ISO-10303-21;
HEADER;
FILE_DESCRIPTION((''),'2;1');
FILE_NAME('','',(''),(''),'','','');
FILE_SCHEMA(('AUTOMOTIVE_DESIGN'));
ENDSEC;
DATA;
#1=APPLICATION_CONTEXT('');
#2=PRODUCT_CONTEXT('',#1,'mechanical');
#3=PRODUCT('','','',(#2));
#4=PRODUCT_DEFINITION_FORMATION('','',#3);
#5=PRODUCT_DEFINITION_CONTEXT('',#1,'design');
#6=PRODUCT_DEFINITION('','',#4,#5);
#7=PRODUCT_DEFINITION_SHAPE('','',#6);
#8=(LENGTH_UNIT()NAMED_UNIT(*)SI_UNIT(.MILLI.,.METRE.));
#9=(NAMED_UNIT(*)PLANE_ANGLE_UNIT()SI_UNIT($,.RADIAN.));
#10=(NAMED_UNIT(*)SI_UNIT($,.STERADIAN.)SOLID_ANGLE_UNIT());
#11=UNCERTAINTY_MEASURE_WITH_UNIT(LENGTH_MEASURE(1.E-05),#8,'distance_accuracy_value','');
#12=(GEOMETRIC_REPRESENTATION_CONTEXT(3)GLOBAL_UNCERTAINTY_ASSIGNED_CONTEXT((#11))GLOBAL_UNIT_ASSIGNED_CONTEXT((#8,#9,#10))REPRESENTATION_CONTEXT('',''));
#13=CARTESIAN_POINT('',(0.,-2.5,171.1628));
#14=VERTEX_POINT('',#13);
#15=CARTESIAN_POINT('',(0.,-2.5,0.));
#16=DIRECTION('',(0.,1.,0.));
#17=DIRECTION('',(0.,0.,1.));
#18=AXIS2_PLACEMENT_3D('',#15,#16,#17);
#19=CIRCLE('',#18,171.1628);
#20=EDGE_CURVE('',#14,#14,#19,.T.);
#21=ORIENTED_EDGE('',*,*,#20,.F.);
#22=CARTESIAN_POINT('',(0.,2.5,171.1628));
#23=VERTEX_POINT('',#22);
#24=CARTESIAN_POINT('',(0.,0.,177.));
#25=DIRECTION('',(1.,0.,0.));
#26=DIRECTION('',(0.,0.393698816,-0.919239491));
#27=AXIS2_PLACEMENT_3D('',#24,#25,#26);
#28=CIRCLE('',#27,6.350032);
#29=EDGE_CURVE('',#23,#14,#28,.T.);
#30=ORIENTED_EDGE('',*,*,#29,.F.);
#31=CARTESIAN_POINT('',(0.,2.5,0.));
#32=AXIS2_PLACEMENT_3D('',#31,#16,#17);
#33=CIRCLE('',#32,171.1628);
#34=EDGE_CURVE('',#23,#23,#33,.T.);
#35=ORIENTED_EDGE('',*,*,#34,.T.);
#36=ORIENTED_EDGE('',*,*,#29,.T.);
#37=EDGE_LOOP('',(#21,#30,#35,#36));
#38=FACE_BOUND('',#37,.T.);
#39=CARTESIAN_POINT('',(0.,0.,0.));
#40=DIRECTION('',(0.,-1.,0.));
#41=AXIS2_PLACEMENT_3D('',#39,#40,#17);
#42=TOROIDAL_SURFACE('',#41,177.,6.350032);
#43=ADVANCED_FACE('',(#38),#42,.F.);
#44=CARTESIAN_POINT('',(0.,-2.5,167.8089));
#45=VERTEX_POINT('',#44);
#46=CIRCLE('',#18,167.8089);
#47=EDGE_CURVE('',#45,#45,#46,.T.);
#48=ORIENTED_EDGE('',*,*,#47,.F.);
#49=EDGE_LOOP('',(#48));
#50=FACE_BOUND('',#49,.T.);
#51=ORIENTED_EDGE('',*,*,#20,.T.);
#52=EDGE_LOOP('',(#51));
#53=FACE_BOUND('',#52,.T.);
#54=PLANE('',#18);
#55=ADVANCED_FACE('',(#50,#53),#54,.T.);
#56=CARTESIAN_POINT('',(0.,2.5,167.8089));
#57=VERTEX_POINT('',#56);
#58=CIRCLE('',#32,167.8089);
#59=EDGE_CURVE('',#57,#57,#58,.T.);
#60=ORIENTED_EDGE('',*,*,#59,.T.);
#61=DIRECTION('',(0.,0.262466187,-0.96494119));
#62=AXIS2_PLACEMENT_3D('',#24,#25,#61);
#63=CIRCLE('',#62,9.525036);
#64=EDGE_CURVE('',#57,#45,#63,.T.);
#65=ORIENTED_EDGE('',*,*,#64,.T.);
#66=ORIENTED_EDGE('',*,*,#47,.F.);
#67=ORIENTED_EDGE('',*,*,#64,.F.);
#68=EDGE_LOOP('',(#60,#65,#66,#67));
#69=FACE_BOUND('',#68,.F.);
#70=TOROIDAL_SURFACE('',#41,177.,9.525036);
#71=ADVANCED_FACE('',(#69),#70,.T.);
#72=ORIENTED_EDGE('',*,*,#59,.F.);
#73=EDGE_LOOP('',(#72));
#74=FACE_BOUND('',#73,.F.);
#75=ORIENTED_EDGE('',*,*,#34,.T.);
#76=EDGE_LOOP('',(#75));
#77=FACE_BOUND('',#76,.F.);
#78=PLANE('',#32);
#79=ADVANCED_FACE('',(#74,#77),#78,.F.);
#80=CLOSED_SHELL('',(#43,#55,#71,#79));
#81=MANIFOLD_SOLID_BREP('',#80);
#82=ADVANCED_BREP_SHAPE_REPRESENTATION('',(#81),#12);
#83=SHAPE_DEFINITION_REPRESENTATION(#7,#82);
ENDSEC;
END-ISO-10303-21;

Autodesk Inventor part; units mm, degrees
ref_plane "YZ Plane" through (0, 0, 0) normal (1, 0, 0) x (0, 1, 0)
ref_plane "XZ Plane" through (0, 0, 0) normal (0, 1, 0) x (-1, 0, 0)
ref_plane "XY Plane" through (0, 0, 0) normal (0, 0, 1) x (1, 0, 0)
sketch "Sketch1" plane through (0, 0, 0) normal (1, 0, 0) x (0, 1, 0)
  line L0 (0, 181.8065) -> (0, 79.5332) construction
  line L1 (0, 90.7423) -> (0, 123.3903) construction
  arc A0 (2.5, 167.8089) -> (-2.5, 167.8089) centre (0, 177) ccw
  arc A1 (2.5, 171.1628) -> (-2.5, 171.1628) centre (0, 177) ccw
  line L2 (2.5, 171.1628) -> (2.5, 167.8089)
  line L3 (-2.5, 171.1628) -> (-2.5, 167.8089)
  line L4 (0, 0) -> (39.543, 0) construction
  dimension "d5" = 19.05
  dimension "d6" = 12.7
  dimension "d7" = 5
  dimension "d8" = 2.5
  dimension "d9" = 177
revolve "Revolution1" add sketch "Sketch1" angle 360 about axis through (0, 0, 0) along (0, 1, 0)
equation "\"d7\" = hardboard_thickness"
equation "\"d8\" = 0.5 * hardboard_thickness"
equation "\"d9\" = 0.5 * robot_diameter"
equation "\"m3_heat_set_insert\" = 4"
equation "\"m3_clearance\" = 3.4"
equation "\"m3_heat_set_depth\" = 7"
equation "\"robot_diameter\" = 354"
equation "\"hardboard_thickness\" = 5"
equation "\"motor_centerline_height\" = 13"
properties part number "foam_bumper_circular"
